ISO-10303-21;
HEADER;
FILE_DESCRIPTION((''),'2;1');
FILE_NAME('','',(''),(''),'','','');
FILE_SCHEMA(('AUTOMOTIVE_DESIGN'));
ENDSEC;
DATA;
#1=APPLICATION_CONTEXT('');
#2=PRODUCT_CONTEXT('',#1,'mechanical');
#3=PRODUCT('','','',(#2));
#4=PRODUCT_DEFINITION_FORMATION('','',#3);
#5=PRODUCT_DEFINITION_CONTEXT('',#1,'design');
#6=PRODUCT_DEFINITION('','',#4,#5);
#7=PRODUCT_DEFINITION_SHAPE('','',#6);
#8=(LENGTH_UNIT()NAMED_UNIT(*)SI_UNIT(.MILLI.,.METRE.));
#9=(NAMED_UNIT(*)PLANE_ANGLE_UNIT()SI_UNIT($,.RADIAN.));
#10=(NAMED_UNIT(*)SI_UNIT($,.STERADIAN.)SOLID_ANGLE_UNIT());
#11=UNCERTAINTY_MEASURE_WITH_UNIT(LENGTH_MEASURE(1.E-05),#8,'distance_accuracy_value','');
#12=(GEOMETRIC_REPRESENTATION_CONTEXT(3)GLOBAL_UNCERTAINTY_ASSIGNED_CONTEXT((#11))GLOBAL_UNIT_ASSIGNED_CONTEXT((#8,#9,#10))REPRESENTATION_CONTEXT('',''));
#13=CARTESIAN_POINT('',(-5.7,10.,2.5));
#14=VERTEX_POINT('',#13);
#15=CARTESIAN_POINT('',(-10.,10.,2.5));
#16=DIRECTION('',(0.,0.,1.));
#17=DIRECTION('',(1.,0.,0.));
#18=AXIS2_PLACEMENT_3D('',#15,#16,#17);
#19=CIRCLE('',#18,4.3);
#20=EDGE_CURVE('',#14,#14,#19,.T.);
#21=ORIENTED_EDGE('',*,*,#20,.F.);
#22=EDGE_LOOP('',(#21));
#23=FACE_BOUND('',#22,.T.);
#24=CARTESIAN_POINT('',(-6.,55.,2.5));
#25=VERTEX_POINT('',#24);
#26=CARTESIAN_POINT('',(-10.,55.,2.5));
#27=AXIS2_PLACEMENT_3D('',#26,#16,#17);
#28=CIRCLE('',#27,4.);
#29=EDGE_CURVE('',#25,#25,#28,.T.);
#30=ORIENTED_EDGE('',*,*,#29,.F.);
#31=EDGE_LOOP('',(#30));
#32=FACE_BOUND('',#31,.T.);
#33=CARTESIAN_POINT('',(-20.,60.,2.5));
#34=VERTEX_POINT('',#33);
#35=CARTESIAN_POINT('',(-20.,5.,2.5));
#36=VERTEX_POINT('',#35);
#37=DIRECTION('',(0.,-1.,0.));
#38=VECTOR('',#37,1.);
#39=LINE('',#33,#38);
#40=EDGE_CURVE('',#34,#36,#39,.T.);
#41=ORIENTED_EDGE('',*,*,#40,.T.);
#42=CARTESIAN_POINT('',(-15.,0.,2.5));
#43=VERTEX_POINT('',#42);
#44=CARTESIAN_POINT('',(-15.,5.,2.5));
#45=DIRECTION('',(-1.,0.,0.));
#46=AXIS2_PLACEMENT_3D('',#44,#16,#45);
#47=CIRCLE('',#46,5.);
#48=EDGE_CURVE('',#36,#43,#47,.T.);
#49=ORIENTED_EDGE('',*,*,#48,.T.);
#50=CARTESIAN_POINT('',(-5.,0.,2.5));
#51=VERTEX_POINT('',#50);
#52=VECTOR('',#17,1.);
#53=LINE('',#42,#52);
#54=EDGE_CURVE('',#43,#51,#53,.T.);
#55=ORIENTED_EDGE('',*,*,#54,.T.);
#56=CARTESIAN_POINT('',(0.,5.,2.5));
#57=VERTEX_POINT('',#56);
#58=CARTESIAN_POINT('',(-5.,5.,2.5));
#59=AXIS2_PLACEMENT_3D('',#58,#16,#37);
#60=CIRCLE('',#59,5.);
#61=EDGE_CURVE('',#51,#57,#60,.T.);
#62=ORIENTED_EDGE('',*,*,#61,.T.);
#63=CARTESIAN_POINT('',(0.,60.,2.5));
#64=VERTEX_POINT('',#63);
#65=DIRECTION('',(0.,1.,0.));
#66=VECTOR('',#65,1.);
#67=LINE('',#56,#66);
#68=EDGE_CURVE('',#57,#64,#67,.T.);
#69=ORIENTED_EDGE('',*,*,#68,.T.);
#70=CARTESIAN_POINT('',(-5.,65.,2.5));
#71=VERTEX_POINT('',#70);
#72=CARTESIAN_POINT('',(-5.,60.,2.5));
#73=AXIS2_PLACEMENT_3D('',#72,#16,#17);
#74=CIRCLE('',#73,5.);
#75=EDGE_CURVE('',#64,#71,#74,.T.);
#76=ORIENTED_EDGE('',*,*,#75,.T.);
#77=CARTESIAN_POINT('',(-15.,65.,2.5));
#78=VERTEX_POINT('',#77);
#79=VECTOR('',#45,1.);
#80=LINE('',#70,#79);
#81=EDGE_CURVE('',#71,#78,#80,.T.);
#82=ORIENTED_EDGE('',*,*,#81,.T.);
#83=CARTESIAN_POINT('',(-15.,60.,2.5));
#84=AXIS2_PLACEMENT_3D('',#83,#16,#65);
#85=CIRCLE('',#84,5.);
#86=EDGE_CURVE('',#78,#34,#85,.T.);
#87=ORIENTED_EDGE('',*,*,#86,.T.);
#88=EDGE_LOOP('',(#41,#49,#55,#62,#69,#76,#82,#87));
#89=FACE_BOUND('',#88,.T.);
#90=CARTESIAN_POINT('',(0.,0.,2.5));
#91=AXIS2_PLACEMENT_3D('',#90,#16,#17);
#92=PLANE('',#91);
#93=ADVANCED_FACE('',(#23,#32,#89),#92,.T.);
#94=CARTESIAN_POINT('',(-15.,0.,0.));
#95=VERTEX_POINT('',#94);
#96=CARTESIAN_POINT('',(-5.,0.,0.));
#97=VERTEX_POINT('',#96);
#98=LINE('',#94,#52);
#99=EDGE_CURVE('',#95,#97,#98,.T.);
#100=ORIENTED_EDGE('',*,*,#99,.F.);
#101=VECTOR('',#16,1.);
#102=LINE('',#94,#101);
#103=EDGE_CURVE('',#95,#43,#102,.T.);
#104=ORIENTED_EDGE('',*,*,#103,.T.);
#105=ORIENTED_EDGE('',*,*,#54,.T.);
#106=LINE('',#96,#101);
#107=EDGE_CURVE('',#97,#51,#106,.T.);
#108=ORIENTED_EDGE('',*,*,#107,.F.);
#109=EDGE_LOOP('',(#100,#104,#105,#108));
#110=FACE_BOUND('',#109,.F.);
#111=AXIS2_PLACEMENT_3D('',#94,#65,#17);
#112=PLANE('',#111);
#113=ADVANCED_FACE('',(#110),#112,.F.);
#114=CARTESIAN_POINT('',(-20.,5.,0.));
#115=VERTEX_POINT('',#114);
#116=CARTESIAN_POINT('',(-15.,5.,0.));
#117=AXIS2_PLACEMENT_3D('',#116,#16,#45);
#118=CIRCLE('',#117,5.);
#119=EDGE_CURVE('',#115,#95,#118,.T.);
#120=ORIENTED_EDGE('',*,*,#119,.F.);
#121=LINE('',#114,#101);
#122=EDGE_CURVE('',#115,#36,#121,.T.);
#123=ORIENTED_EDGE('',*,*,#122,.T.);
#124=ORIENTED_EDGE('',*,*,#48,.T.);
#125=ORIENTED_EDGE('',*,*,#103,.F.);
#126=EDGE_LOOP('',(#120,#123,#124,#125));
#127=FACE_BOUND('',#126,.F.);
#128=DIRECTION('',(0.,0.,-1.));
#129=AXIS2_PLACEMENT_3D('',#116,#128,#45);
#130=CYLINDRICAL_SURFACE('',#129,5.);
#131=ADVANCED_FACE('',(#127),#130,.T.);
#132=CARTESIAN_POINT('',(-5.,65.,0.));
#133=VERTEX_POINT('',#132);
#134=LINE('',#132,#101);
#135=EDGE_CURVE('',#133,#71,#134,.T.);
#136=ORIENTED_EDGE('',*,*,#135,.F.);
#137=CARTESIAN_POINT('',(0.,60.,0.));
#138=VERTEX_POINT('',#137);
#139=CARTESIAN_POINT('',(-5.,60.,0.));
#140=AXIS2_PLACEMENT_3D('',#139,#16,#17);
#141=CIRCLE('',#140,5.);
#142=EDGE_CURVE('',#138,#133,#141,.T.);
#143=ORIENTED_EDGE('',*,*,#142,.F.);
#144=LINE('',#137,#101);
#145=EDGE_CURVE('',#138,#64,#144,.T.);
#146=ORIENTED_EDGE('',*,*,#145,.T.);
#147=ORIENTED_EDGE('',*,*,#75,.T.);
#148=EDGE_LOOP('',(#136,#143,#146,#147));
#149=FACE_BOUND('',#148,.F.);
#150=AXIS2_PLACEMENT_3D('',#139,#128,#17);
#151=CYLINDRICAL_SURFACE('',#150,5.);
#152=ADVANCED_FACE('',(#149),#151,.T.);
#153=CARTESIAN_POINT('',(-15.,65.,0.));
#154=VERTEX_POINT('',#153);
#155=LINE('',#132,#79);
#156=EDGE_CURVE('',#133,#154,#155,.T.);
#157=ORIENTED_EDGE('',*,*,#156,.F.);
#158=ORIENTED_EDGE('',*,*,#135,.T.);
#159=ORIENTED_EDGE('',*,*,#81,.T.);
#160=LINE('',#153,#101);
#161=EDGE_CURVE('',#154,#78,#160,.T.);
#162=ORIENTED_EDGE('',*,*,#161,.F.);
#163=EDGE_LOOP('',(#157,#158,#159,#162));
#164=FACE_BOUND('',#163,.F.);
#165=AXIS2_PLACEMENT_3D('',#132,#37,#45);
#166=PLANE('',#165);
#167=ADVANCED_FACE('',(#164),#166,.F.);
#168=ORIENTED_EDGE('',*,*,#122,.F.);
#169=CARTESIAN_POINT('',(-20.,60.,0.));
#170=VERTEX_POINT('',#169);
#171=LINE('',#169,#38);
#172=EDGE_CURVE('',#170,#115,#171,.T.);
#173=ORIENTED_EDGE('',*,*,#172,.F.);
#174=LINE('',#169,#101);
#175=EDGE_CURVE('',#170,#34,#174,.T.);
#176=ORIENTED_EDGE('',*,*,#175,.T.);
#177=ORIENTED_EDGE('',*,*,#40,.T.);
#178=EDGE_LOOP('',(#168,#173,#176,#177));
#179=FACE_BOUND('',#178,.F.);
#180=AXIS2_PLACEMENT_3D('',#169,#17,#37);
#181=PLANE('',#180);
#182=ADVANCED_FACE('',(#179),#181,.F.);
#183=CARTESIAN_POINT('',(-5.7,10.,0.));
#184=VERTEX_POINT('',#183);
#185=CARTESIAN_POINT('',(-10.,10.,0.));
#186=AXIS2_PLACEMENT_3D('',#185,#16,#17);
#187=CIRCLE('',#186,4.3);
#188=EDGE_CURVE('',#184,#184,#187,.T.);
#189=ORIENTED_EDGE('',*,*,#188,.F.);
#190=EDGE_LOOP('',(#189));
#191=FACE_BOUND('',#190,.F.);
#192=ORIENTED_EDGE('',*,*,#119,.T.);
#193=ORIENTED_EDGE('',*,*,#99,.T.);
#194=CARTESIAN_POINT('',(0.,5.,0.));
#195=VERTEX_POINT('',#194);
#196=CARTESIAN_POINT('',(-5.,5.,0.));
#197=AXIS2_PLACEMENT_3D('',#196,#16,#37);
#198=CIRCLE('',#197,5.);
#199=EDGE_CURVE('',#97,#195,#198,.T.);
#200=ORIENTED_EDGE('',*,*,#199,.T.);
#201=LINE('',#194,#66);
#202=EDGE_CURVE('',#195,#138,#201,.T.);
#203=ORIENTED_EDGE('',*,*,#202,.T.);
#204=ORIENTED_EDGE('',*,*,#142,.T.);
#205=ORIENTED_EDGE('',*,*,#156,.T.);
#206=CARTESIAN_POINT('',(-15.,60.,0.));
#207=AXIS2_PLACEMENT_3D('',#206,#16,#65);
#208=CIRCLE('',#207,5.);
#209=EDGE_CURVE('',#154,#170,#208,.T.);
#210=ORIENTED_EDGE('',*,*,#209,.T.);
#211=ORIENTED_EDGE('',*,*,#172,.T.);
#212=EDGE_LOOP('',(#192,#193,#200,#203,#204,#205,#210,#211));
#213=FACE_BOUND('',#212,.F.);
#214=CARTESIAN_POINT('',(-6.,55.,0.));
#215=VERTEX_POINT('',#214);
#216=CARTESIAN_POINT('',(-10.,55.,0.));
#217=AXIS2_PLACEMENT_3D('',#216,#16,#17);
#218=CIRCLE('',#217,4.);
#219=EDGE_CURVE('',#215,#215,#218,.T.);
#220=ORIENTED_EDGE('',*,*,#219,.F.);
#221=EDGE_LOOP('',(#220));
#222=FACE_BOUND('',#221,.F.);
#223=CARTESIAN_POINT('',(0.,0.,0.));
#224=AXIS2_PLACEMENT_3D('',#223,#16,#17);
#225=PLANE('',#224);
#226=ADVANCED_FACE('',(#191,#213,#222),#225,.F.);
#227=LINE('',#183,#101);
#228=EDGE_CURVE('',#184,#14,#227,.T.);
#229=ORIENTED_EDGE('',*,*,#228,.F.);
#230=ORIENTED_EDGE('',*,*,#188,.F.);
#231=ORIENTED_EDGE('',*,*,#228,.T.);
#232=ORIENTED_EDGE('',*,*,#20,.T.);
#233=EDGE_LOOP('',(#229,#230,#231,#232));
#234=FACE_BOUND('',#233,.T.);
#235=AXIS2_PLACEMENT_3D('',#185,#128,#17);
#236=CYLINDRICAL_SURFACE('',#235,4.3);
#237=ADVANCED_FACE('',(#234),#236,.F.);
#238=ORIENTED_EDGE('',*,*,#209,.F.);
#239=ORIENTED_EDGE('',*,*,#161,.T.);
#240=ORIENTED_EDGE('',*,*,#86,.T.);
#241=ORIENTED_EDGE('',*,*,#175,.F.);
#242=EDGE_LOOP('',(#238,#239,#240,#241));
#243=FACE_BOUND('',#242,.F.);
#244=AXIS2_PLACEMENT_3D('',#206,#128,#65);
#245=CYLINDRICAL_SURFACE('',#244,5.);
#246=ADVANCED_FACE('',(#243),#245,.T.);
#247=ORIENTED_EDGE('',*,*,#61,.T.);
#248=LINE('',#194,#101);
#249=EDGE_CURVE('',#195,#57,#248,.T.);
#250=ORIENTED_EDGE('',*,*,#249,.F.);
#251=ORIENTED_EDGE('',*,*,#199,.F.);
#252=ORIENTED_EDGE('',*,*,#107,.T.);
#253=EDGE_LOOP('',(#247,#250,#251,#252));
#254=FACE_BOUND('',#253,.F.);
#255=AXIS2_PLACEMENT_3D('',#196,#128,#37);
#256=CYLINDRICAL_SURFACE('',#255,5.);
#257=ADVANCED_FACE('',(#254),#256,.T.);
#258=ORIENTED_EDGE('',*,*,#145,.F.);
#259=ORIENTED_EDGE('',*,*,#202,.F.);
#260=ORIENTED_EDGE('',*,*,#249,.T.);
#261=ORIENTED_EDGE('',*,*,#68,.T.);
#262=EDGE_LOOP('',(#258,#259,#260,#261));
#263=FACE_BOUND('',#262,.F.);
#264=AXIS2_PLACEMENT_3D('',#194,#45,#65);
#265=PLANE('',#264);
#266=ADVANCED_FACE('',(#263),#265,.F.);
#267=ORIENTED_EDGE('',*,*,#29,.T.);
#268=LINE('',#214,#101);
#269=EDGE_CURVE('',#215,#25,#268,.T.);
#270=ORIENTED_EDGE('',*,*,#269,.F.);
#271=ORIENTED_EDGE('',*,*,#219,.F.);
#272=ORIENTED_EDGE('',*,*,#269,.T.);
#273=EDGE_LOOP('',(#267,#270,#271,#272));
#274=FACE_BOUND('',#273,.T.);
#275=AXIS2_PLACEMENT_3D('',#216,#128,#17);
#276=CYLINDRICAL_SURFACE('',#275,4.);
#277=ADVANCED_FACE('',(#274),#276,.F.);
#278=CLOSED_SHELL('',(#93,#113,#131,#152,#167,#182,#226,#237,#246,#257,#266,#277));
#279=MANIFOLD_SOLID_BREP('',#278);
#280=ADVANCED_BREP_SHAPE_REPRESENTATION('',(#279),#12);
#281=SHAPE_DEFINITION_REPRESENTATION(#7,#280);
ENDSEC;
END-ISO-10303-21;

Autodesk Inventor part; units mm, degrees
ref_plane "YZ Plane" through (0, 0, 0) normal (1, 0, 0) x (0, 1, 0)
ref_plane "XZ Plane" through (0, 0, 0) normal (0, 1, 0) x (-1, 0, 0)
ref_plane "XY Plane" through (0, 0, 0) normal (0, 0, 1) x (1, 0, 0)
sketch "Sketch1" plane through (0, 0, 0) normal (0, 0, 1) x (1, 0, 0)
  line L0 (-5, 65) -> (-15, 65)
  arc A0 (-15, 65) -> (-20, 60) centre (-15, 60) ccw
  line L1 (-20, 60) -> (-20, 5)
  arc A1 (-20, 5) -> (-15, 0) centre (-15, 5) ccw
  line L2 (-15, 0) -> (-5, 0)
  arc A2 (-5, 0) -> (0, 5) centre (-5, 5) ccw
  line L3 (0, 5) -> (0, 60)
  arc A3 (0, 60) -> (-5, 65) centre (-5, 60) ccw
  circle A4 centre (-10, 10) radius 4.3
  circle A5 centre (-10, 55) radius 4
  point P0 (0, 0)
  point P1 (0, 0)
  dimension "d0" = 8
  dimension "d1" = 8.6
extrude "Plate1" add sketch "Sketch1" along normal blind 2.5
equation "\"d2\" = Thickness"
equation "\"BendRadius\" = Thickness"
equation "\"BendReliefWidth\" = Thickness"
equation "\"BendReliefDepth\" = 0.5 * Thickness"
equation "\"MinimumRemnant\" = 2 * Thickness"
equation "\"TransitionRadius\" = BendRadius"
equation "\"JacobiRadiusSize\" = BendRadius"
equation "\"GapSize\" = Thickness"
equation "\"Thickness\" = 2.5"
properties part number "Servo horn"
